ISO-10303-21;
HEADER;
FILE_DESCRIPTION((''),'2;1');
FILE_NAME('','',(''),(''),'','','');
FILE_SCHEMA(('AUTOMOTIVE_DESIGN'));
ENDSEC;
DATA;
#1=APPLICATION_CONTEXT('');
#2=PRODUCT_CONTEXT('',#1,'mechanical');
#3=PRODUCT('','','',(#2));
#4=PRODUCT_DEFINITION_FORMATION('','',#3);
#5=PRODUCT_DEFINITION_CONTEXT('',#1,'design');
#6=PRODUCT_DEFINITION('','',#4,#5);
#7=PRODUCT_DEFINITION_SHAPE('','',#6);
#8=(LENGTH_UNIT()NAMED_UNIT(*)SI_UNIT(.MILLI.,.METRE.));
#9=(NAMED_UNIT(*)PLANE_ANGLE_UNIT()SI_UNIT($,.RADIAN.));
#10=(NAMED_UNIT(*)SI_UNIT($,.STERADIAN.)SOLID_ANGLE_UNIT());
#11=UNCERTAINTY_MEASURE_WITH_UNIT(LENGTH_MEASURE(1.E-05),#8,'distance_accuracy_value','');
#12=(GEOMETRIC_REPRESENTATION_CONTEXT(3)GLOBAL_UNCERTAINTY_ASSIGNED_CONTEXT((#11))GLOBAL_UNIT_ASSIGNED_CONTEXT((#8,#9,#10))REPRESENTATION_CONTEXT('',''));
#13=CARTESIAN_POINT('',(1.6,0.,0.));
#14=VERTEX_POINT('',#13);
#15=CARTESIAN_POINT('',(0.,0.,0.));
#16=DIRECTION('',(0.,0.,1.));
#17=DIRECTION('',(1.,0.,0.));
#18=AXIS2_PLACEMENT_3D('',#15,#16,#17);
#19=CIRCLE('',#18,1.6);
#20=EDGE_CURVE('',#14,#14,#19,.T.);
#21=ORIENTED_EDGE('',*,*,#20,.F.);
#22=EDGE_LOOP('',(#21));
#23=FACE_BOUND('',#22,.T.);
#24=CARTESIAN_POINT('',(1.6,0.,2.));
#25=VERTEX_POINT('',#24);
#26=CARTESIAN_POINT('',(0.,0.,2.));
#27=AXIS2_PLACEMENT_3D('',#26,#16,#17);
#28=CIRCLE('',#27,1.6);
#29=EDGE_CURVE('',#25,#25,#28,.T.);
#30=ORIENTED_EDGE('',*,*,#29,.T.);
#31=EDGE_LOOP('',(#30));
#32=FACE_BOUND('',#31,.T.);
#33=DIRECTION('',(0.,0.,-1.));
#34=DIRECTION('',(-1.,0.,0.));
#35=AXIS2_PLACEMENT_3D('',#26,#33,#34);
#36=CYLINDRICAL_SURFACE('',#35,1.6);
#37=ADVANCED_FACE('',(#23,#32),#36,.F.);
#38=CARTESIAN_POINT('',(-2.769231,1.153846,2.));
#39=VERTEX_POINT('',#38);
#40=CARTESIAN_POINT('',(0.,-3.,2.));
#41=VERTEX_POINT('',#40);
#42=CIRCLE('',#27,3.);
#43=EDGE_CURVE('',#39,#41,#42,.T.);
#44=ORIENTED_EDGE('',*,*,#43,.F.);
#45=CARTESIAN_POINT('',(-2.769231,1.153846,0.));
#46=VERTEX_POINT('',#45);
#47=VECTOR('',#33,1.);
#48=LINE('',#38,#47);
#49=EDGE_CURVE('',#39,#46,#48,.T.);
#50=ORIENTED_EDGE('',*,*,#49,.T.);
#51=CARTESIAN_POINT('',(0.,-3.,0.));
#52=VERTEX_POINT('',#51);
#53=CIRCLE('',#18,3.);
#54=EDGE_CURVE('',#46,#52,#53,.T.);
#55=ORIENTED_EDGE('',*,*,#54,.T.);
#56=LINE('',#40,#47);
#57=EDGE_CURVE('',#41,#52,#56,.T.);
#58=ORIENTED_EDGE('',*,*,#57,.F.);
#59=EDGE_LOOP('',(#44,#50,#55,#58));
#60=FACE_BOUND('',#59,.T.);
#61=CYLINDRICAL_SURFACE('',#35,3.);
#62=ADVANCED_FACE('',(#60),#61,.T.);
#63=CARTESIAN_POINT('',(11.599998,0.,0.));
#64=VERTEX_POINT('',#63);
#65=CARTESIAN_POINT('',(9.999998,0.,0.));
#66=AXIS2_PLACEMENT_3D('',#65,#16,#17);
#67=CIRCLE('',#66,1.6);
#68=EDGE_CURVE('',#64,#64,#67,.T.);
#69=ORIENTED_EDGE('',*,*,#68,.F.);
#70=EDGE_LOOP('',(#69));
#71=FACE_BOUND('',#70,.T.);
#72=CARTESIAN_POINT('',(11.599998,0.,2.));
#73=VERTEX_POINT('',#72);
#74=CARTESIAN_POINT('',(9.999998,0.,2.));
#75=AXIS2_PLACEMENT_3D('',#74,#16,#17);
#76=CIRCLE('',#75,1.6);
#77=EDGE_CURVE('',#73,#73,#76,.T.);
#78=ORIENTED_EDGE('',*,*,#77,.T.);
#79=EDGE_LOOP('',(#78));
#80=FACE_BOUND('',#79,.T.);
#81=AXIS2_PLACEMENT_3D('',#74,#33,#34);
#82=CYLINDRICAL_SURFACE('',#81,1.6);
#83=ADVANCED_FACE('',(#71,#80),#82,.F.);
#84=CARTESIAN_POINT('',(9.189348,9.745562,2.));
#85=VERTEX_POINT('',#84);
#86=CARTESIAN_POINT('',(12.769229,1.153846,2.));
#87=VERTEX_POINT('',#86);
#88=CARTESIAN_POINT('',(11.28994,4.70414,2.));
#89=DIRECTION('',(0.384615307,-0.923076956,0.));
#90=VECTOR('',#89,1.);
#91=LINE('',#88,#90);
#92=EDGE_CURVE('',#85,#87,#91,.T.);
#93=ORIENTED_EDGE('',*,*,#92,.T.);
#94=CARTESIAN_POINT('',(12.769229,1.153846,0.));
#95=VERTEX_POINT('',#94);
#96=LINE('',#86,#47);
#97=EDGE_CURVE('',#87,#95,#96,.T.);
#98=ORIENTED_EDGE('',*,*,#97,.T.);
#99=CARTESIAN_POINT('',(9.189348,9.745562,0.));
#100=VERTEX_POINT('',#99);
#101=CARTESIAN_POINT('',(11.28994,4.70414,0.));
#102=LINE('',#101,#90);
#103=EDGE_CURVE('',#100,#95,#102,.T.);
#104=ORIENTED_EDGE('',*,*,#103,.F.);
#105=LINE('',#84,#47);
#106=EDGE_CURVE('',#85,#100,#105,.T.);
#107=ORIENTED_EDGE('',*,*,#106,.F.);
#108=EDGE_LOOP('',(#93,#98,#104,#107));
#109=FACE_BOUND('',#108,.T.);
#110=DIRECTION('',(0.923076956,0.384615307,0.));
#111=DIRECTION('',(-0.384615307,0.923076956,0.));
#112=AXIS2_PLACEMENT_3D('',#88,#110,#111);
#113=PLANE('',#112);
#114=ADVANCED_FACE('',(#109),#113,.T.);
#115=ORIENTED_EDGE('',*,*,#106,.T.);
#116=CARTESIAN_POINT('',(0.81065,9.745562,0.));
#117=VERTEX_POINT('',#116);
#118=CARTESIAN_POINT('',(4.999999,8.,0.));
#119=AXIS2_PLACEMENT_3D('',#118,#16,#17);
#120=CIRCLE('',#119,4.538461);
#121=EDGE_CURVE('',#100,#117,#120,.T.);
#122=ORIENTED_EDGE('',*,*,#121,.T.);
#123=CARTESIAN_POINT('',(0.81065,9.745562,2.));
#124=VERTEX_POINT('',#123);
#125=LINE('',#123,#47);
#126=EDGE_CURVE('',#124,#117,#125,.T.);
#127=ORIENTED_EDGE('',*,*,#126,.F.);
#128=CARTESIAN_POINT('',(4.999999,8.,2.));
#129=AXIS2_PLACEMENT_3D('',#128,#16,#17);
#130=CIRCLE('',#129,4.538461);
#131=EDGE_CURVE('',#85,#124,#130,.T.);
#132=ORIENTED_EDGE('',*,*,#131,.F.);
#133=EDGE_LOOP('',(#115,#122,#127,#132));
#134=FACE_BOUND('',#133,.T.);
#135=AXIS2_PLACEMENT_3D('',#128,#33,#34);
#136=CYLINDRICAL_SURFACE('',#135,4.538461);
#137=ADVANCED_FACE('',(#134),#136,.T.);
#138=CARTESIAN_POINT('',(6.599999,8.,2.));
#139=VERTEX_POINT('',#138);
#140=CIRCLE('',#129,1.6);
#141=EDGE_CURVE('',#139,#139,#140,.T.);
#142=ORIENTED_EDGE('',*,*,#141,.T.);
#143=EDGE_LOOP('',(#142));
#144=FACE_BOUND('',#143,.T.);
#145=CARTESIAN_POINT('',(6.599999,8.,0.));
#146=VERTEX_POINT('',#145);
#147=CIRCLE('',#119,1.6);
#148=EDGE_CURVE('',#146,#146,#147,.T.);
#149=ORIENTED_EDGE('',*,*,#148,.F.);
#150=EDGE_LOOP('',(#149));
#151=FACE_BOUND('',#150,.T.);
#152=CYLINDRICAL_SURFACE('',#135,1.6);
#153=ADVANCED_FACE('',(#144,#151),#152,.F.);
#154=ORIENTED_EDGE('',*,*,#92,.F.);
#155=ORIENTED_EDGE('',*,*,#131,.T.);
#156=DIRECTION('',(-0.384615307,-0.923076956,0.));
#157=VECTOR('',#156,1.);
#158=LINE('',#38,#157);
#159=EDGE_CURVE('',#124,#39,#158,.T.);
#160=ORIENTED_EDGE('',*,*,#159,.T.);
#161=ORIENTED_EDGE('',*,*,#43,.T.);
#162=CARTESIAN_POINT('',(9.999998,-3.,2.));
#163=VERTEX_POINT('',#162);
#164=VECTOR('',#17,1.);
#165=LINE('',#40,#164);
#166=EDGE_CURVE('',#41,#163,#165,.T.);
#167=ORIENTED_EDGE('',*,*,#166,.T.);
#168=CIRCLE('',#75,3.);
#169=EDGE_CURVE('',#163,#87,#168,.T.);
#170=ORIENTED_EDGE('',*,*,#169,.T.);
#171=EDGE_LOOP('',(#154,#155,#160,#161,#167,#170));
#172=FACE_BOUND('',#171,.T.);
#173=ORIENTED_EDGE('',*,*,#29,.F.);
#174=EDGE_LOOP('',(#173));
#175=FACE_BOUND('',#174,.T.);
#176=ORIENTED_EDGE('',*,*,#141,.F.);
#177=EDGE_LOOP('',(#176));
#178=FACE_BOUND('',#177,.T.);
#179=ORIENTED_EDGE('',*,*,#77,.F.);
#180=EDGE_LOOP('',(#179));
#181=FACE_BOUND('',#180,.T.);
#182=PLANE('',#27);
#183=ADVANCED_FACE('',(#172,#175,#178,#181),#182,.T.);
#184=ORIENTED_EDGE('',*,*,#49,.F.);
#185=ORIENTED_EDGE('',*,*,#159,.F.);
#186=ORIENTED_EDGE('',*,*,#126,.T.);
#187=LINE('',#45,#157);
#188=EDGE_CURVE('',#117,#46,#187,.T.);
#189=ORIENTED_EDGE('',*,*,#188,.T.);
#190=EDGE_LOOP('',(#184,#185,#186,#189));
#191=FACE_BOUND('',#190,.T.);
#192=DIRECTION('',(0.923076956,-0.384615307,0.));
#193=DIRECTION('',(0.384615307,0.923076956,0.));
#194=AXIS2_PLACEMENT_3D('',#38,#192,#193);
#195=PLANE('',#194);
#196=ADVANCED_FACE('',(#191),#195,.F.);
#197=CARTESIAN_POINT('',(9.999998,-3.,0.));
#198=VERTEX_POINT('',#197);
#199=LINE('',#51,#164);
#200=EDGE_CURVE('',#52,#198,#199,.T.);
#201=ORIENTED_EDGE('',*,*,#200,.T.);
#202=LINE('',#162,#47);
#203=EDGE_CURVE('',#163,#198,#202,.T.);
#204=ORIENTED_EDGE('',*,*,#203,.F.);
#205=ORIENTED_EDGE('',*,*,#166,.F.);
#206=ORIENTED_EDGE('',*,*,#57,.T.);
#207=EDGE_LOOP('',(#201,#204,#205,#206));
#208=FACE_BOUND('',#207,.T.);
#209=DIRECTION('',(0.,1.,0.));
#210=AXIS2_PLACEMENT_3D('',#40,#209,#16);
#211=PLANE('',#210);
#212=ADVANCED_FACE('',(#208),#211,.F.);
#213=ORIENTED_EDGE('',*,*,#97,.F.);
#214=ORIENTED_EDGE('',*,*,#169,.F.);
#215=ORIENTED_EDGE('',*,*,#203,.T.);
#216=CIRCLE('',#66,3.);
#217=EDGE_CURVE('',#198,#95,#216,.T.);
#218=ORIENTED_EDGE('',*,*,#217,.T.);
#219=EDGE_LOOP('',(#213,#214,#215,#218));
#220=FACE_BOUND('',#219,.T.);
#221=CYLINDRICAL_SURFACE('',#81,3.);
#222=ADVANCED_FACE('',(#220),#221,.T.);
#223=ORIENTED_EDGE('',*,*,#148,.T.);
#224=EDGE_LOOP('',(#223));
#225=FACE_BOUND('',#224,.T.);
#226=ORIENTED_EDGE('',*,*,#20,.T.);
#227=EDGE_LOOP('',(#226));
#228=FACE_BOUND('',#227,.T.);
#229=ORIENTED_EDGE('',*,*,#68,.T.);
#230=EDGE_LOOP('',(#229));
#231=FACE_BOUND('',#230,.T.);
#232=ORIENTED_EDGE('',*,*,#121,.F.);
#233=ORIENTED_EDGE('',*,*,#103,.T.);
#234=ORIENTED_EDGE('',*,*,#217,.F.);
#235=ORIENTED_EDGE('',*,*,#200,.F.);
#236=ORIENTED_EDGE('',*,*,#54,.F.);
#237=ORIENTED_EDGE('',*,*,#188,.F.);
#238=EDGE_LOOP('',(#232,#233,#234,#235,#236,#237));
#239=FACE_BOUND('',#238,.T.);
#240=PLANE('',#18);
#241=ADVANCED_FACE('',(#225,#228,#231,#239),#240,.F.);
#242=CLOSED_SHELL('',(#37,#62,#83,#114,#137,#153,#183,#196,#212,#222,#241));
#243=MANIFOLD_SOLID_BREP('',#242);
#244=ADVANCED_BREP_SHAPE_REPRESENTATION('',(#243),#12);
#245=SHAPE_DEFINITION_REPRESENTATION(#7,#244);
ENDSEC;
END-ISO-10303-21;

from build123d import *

# Parameters (mm, degrees)
SKETCH1_R           = 1.6
BOSS_EXTRUDE2_DEPTH = 2


with BuildPart() as part:
    # Sketch1 → Boss-Extrude2 (new body)
    with BuildSketch(Plane.XY):
        with BuildLine():
            Line((0, -3), (9.999997972, -3))
            ThreePointArc((9.999997972, -3), (12.496148784, -1.664100694), (12.769228838, 1.15384592))
            Line((12.769228838, 1.15384592), (9.189348108, 9.745561719))
            ThreePointArc((9.189348108, 9.745561719), (4.999998986, 12.538461389), (0.810649864, 9.745561719))
            Line((0.810649864, 9.745561719), (-2.769230867, 1.15384592))
            ThreePointArc((-2.769230867, 1.15384592), (-2.496150813, -1.664100694), (0, -3))
        make_face()
        with Locations((9.999997972, 0)):
            Circle(SKETCH1_R, mode=Mode.SUBTRACT)
        Circle(SKETCH1_R, mode=Mode.SUBTRACT)
        with Locations((4.999998986, 8)):
            Circle(SKETCH1_R, mode=Mode.SUBTRACT)
    extrude(amount=BOSS_EXTRUDE2_DEPTH)


solid = part.part
